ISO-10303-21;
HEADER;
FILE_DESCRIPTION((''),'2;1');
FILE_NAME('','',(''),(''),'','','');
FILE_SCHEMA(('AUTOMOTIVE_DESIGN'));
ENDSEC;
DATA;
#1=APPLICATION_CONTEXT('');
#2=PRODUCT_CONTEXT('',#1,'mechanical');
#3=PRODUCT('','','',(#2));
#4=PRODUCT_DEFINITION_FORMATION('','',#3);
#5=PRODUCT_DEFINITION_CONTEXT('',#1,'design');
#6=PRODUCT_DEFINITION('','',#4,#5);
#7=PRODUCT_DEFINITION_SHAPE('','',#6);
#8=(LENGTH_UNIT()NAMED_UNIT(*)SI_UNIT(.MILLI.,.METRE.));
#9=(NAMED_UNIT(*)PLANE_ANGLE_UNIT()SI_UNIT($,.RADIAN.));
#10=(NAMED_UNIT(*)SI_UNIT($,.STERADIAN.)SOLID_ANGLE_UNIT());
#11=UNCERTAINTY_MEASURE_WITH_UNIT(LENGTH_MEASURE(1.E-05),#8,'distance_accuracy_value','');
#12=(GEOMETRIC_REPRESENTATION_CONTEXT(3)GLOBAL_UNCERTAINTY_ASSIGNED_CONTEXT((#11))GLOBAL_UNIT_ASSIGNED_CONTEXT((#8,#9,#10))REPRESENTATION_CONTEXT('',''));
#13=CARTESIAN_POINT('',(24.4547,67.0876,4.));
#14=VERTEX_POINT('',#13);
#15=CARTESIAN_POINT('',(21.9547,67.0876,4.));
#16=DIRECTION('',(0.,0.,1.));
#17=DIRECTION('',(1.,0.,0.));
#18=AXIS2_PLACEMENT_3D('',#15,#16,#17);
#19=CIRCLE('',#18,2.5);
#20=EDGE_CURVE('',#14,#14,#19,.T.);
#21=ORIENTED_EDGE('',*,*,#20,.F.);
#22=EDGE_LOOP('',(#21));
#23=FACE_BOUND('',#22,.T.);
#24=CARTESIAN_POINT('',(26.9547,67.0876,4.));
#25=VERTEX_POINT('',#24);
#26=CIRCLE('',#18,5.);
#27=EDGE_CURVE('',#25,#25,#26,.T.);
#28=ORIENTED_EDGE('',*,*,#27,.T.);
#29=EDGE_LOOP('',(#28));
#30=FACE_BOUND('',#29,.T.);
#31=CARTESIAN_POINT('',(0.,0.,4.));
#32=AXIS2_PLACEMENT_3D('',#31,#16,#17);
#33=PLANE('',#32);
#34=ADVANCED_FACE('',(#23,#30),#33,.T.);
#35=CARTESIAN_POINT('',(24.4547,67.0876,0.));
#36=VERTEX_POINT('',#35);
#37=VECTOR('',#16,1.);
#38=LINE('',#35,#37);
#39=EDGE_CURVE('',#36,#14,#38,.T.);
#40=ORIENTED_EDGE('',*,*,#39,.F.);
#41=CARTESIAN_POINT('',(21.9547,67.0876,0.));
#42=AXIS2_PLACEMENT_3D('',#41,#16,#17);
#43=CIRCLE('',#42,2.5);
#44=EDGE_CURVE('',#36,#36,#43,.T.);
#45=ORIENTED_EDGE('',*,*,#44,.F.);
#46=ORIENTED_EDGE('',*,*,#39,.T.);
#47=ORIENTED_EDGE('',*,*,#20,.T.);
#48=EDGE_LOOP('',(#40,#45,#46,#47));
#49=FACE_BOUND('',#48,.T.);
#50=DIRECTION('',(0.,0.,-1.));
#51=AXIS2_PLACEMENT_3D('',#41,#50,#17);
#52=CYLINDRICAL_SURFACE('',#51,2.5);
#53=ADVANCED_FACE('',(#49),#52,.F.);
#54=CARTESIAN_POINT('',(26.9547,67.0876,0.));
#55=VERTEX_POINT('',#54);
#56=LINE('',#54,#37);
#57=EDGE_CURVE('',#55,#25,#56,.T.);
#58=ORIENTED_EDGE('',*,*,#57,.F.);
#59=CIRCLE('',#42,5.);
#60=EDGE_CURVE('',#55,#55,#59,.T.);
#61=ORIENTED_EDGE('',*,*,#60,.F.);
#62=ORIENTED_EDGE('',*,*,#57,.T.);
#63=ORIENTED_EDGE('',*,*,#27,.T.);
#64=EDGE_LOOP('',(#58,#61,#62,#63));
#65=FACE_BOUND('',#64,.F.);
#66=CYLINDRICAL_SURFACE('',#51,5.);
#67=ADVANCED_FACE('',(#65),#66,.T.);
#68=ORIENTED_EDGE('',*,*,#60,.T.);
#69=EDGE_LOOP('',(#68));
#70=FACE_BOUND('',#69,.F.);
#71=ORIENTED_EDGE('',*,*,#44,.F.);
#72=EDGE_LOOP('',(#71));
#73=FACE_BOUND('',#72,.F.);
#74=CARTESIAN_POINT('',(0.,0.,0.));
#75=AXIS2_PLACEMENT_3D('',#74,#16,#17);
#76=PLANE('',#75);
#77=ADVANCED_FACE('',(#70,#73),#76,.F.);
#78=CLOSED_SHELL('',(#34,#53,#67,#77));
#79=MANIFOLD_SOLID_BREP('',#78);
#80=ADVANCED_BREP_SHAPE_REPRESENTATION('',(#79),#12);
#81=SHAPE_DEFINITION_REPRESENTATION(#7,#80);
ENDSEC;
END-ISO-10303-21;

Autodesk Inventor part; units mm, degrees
ref_plane "YZ Plane" through (0, 0, 0) normal (1, 0, 0) x (0, 1, 0)
ref_plane "XZ Plane" through (0, 0, 0) normal (0, 1, 0) x (-1, 0, 0)
ref_plane "XY Plane" through (0, 0, 0) normal (0, 0, 1) x (1, 0, 0)
sketch "Эскиз1" plane through (0, 0, 0) normal (0, 0, 1) x (1, 0, 0)
  circle A0 centre (21.9547, 67.0876) radius 2.5
  circle A1 centre (21.9547, 67.0876) radius 5
  point P0 (0, 0)
  dimension "d0" = 5
  dimension "d1" = 10
extrude "Выдавливание1" add sketch "Эскиз1" along normal blind 4
properties part number "колесико"
